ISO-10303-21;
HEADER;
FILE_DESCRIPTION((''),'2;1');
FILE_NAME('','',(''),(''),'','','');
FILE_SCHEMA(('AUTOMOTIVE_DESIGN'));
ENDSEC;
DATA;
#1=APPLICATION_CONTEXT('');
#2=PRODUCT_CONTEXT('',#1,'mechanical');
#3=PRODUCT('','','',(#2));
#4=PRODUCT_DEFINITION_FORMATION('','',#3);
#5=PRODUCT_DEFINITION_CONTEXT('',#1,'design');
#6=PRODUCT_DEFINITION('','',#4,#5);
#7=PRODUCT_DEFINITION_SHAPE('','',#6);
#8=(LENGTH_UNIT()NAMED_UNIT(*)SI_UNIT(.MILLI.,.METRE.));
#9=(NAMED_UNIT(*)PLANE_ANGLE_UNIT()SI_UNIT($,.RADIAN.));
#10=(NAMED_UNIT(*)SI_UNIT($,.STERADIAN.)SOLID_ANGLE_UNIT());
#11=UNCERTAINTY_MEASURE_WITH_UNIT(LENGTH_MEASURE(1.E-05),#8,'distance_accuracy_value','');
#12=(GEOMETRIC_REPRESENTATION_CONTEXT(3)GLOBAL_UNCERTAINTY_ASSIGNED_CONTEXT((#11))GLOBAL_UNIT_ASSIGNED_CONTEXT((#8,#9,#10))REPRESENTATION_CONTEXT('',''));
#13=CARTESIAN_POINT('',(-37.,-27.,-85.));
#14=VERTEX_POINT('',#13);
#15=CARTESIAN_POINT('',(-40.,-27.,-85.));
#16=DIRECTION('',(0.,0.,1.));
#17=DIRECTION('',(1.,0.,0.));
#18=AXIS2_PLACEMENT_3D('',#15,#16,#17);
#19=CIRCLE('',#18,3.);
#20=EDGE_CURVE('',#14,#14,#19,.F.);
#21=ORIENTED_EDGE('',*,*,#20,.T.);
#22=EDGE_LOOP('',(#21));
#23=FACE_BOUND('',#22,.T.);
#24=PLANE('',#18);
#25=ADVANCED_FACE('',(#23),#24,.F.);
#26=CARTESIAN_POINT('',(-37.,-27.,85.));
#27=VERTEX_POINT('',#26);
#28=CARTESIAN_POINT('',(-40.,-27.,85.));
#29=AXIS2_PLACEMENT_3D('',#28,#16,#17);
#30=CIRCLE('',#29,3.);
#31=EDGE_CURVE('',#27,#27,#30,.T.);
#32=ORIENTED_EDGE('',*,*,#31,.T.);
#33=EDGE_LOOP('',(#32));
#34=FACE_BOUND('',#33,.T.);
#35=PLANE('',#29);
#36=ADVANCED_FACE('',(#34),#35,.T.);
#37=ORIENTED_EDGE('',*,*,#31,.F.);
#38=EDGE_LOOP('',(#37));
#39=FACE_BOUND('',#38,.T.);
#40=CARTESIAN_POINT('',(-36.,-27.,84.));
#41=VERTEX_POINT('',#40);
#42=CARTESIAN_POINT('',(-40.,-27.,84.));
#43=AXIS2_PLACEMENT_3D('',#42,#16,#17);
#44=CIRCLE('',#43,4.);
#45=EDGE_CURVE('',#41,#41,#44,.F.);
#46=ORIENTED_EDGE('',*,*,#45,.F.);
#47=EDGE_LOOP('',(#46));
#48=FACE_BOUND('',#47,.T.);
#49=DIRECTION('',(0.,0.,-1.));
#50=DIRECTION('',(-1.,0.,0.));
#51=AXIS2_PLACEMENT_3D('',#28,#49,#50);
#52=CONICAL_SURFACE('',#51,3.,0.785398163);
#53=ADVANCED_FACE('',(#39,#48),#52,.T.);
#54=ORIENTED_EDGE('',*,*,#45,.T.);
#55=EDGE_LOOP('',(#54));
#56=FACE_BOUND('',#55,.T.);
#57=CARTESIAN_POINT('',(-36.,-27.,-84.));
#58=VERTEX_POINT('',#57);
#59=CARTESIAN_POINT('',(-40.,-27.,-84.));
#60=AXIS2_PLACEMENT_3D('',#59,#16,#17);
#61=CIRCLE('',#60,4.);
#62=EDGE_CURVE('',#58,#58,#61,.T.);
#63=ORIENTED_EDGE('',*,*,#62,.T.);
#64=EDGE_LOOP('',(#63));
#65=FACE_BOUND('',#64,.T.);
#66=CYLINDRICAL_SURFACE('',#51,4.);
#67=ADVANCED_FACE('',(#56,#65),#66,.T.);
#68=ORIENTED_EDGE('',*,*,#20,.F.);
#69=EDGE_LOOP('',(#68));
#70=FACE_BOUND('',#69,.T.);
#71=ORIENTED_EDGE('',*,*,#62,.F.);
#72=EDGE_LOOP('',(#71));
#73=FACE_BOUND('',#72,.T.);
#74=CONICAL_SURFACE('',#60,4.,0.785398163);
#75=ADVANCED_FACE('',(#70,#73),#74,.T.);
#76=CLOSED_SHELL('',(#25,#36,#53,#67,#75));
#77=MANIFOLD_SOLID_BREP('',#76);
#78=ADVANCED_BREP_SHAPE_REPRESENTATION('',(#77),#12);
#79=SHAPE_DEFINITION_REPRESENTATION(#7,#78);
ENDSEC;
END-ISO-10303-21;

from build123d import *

# Parameters (mm, degrees)
ESBO_O1_R                = 4
RESSALTO_EXTRUS_O1_DEPTH = 85
CHANFRO1_SIZE            = 1


with BuildPart() as part:
    # Esboço1 → Ressalto-extrusão1 (new, symmetric)
    with BuildSketch(Plane.XY):
        with Locations((-40, -27)):
            Circle(ESBO_O1_R)
    extrude(amount=RESSALTO_EXTRUS_O1_DEPTH, both=True)

    # Chanfro1
    chanfro1_edges = [part.edges().sort_by_distance(p)[0] for p in [
        (-44, -27, -85),
        (-44, -27, 85),
    ]]
    chamfer(chanfro1_edges, length=CHANFRO1_SIZE)


solid = part.part
